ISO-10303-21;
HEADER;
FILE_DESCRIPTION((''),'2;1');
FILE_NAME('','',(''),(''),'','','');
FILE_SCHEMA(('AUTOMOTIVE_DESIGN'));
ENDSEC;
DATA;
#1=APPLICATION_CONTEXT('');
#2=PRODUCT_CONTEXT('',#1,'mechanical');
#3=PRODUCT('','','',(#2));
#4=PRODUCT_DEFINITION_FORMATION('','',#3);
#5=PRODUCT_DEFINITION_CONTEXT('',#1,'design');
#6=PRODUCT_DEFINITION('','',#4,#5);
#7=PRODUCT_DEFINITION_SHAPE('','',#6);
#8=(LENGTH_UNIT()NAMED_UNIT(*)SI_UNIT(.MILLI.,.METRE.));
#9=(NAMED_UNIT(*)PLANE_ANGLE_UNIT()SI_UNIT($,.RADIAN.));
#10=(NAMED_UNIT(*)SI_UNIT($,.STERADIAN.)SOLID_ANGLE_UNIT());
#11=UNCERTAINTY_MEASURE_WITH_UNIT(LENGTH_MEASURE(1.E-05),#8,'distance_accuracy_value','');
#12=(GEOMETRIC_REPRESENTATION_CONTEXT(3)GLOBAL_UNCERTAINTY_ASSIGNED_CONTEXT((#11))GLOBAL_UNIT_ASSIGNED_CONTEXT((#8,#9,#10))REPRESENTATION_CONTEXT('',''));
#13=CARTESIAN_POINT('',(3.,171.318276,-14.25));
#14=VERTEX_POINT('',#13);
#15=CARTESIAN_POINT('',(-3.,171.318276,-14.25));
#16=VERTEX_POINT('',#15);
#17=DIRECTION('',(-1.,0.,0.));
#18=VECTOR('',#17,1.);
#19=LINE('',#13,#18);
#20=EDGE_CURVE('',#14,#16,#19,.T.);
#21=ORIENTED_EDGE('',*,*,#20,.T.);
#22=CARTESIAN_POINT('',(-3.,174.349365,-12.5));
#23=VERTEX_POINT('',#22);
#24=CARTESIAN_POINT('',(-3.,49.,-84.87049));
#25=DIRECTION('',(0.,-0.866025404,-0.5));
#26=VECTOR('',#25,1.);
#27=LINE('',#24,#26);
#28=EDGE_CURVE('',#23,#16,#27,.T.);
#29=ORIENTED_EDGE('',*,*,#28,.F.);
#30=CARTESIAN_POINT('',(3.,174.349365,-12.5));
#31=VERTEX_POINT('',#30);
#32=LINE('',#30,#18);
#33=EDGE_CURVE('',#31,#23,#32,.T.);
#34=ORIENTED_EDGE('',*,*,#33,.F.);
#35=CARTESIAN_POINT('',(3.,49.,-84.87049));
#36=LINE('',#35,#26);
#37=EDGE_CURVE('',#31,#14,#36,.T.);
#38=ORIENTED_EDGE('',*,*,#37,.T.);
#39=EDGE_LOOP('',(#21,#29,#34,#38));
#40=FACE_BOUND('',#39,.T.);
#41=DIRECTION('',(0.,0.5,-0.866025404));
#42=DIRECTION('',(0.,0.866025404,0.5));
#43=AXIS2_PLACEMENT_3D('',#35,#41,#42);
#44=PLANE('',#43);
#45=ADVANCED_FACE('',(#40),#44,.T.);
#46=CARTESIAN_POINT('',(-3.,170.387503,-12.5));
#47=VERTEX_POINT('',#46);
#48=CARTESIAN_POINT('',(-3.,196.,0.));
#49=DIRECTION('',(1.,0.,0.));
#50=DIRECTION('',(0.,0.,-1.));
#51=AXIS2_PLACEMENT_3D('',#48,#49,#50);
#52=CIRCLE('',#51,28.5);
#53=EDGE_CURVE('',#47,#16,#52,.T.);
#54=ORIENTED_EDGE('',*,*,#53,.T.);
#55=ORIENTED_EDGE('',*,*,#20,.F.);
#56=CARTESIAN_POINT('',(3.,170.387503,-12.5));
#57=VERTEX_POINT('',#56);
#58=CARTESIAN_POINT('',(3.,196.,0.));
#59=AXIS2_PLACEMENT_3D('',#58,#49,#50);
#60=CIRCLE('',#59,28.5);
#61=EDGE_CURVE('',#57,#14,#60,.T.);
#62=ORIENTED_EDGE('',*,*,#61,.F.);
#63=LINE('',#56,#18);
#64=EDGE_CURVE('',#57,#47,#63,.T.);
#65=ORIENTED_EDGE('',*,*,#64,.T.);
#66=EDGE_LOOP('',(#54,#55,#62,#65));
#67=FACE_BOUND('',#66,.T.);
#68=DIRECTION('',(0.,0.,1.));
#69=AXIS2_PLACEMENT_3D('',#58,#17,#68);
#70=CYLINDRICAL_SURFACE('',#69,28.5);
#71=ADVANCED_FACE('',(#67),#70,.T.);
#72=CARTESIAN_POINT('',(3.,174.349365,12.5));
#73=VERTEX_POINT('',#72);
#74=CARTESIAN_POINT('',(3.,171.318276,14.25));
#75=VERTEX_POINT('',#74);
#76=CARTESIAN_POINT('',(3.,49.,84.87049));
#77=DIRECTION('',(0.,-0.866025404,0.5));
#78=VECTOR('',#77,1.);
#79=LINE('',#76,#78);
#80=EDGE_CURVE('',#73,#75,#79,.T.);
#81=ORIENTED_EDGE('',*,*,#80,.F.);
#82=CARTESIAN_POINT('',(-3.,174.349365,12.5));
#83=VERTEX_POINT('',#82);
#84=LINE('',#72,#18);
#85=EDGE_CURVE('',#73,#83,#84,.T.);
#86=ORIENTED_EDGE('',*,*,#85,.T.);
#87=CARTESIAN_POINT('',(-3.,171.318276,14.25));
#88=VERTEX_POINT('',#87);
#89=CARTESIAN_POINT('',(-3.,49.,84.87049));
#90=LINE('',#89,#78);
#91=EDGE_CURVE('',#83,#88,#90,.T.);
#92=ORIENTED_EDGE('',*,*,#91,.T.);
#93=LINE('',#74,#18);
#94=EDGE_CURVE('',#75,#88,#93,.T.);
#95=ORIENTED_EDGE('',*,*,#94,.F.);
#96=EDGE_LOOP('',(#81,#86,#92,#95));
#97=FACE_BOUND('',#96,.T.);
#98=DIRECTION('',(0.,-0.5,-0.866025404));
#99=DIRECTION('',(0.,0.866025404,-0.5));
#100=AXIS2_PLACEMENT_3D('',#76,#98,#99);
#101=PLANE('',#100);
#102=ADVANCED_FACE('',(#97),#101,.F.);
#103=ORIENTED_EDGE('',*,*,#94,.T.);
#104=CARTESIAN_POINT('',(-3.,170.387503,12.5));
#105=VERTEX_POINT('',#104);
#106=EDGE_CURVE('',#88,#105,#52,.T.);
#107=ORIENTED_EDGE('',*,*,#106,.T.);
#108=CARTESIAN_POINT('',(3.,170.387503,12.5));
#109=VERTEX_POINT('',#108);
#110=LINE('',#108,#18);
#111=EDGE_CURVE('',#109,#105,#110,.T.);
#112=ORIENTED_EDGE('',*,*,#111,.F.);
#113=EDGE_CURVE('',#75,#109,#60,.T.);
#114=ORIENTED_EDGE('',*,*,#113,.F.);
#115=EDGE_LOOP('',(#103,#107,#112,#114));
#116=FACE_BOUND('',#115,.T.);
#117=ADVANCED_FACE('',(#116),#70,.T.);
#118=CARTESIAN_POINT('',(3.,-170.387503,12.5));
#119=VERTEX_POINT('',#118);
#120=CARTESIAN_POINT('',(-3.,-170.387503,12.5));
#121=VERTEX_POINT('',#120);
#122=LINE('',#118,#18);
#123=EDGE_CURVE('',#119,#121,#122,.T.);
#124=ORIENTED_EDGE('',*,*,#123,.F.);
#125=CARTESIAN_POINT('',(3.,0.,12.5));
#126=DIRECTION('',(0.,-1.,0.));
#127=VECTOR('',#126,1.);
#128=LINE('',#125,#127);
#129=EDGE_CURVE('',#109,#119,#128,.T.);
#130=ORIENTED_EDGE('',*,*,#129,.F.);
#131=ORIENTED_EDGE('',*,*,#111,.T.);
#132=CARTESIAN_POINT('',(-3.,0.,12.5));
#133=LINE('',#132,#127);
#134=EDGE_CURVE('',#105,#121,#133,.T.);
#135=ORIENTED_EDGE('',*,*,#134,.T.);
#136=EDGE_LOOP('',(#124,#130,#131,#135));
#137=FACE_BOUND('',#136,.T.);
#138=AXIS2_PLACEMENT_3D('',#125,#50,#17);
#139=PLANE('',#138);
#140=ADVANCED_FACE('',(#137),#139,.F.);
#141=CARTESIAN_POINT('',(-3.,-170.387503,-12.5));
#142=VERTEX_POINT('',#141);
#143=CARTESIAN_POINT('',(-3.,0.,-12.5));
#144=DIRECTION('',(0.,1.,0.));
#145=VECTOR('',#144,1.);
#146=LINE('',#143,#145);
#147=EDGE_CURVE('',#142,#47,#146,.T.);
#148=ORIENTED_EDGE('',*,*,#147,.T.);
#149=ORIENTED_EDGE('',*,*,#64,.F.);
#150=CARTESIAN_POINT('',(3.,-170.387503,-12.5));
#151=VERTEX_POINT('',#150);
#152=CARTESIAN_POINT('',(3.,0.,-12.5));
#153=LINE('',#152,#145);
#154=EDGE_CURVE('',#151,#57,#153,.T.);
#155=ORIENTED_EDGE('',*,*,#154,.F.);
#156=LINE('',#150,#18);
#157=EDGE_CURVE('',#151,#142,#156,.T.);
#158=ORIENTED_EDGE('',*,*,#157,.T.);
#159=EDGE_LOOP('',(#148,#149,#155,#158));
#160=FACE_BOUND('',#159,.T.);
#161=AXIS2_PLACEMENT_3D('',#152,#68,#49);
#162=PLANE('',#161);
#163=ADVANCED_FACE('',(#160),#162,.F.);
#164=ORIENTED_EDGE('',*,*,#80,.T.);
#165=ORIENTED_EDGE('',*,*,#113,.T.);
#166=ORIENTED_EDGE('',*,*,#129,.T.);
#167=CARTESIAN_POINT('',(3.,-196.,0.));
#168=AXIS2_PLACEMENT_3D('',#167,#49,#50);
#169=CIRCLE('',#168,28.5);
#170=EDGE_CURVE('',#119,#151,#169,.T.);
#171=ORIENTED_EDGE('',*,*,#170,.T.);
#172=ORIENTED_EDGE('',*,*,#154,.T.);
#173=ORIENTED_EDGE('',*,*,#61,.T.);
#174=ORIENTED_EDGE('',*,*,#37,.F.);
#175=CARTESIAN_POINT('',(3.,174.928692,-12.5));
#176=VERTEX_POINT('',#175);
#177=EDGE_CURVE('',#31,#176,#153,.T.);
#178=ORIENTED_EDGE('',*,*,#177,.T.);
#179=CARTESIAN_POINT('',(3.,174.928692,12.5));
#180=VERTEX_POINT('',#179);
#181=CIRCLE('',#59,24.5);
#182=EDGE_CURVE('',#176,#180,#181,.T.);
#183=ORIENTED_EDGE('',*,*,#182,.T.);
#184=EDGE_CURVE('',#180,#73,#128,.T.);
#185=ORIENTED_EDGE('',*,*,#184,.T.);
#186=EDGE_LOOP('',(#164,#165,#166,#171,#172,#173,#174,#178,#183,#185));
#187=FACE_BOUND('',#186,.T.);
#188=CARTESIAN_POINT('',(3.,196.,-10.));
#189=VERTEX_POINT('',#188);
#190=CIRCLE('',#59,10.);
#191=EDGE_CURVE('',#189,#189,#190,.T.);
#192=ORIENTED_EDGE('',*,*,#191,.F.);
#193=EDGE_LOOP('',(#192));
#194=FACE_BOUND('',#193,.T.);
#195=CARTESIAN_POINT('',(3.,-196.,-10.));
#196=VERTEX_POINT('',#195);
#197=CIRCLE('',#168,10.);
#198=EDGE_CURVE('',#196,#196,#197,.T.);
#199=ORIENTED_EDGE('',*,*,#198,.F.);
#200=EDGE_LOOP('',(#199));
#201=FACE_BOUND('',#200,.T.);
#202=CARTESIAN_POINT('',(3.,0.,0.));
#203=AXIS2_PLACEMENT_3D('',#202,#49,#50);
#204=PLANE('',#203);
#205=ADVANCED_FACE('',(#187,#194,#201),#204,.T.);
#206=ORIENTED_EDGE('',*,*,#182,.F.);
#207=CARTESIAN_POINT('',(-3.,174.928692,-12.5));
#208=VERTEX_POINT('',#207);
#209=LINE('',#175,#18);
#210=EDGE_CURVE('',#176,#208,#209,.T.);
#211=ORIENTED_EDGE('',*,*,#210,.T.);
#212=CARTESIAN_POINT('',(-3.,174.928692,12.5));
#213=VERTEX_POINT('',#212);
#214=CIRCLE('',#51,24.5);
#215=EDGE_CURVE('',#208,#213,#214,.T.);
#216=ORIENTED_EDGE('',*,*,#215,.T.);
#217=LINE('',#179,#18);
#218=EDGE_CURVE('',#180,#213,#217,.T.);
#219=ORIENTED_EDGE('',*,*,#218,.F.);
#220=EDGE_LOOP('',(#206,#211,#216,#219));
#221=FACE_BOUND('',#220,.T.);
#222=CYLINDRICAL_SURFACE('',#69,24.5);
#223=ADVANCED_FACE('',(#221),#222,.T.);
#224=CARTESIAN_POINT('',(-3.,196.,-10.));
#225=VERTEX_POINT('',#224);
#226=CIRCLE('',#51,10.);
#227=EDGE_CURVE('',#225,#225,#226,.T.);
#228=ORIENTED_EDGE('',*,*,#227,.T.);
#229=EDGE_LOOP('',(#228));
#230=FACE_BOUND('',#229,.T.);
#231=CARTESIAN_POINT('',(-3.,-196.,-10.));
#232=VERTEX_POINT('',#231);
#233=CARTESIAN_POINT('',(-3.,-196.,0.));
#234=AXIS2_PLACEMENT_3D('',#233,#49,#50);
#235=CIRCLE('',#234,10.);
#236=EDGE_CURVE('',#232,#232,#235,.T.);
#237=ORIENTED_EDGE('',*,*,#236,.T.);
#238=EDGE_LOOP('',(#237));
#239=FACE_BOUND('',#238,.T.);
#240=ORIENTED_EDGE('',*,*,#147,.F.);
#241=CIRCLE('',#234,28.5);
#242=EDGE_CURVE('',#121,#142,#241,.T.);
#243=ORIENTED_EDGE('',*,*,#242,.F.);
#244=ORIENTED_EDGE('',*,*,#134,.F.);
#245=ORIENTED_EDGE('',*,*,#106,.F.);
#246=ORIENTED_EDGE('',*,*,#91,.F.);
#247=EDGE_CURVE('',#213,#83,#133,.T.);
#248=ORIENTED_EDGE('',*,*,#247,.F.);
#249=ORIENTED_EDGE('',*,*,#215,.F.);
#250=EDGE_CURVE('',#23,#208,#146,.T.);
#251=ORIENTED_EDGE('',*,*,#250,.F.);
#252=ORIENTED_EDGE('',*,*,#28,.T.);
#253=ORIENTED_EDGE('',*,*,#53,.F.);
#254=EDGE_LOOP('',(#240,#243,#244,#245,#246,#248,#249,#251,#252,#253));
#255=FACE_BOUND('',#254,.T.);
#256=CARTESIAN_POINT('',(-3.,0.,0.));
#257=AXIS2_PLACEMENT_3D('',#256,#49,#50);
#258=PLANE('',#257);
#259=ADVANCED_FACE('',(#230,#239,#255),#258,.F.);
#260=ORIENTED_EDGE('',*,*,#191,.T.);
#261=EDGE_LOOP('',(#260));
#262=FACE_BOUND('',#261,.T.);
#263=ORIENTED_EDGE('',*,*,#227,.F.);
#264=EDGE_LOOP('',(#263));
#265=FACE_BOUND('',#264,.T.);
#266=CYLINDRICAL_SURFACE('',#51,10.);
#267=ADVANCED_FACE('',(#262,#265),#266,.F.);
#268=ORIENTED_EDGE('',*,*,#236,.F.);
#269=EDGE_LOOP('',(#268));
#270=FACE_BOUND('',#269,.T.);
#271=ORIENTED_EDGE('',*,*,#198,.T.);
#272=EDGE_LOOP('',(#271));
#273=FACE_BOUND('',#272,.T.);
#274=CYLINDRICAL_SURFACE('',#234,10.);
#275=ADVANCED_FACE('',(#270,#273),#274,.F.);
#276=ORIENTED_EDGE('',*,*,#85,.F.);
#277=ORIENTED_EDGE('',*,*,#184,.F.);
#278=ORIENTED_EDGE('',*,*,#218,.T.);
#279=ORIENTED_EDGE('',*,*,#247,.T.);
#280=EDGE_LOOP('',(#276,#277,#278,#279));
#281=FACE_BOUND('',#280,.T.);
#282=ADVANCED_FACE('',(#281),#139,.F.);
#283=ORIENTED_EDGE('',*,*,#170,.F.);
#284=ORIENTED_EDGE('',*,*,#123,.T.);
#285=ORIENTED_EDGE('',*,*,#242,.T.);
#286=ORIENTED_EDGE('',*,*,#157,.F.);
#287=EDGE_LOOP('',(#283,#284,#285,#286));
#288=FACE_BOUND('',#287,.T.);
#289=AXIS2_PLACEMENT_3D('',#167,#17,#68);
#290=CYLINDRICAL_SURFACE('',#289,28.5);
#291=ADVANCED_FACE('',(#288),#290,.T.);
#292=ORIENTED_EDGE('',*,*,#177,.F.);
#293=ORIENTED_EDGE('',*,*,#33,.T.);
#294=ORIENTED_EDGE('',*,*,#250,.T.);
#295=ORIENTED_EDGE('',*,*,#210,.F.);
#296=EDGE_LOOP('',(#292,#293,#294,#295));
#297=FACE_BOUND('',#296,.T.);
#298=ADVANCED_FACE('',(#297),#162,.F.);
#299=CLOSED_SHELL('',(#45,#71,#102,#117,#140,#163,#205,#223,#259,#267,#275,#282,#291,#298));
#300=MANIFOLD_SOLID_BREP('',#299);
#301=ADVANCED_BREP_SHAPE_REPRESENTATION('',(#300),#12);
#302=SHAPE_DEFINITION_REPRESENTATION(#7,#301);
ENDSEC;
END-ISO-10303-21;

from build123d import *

# Parameters (mm, degrees)
BOSS_EXTRUDE1_DEPTH = 3
SKETCH2_R           = 10
CUT_EXTRUDE1_DEPTH  = 7


with BuildPart() as part:
    # Sketch1 → Boss-Extrude1 (new body, symmetric)
    with BuildSketch(Plane(origin=(0, 0, 0), x_dir=(0, 0, -1), z_dir=(1, 0, 0))):
        with BuildLine():
            ThreePointArc((-12.5, -170.38750305), (0, -224.5), (12.5, -170.38750305))
            Line((12.5, -170.38750305), (12.5, 170.38750305))
            ThreePointArc((12.5, 170.38750305), (13.38309417, 170.837671204), (14.25, 171.318275992))
            Line((14.25, 171.318275992), (12.5, 174.349364905))
            Line((12.5, 174.349364905), (12.5, 174.928692494))
            ThreePointArc((12.5, 174.928692494), (0, 220.5), (-12.5, 174.928692494))
            Line((-12.5, 174.928692494), (-12.5, 174.349364905))
            Line((-12.5, 174.349364905), (-14.25, 171.318275992))
            ThreePointArc((-14.25, 171.318275992), (-13.38309417, 170.837671204), (-12.5, 170.38750305))
            Line((-12.5, 170.38750305), (-12.5, -170.38750305))
        make_face()
    extrude(amount=BOSS_EXTRUDE1_DEPTH, both=True)

    # Sketch2 → Cut-Extrude1 (cut, through all)
    with BuildSketch(Plane(origin=(3, 0, 0), x_dir=(0, 0, -1), z_dir=(1, 0, 0))):
        with Locations((0, -196)):
            Circle(SKETCH2_R)
        with Locations((0, 196)):
            Circle(SKETCH2_R)
    extrude(amount=-CUT_EXTRUDE1_DEPTH, mode=Mode.SUBTRACT)


solid = part.part
